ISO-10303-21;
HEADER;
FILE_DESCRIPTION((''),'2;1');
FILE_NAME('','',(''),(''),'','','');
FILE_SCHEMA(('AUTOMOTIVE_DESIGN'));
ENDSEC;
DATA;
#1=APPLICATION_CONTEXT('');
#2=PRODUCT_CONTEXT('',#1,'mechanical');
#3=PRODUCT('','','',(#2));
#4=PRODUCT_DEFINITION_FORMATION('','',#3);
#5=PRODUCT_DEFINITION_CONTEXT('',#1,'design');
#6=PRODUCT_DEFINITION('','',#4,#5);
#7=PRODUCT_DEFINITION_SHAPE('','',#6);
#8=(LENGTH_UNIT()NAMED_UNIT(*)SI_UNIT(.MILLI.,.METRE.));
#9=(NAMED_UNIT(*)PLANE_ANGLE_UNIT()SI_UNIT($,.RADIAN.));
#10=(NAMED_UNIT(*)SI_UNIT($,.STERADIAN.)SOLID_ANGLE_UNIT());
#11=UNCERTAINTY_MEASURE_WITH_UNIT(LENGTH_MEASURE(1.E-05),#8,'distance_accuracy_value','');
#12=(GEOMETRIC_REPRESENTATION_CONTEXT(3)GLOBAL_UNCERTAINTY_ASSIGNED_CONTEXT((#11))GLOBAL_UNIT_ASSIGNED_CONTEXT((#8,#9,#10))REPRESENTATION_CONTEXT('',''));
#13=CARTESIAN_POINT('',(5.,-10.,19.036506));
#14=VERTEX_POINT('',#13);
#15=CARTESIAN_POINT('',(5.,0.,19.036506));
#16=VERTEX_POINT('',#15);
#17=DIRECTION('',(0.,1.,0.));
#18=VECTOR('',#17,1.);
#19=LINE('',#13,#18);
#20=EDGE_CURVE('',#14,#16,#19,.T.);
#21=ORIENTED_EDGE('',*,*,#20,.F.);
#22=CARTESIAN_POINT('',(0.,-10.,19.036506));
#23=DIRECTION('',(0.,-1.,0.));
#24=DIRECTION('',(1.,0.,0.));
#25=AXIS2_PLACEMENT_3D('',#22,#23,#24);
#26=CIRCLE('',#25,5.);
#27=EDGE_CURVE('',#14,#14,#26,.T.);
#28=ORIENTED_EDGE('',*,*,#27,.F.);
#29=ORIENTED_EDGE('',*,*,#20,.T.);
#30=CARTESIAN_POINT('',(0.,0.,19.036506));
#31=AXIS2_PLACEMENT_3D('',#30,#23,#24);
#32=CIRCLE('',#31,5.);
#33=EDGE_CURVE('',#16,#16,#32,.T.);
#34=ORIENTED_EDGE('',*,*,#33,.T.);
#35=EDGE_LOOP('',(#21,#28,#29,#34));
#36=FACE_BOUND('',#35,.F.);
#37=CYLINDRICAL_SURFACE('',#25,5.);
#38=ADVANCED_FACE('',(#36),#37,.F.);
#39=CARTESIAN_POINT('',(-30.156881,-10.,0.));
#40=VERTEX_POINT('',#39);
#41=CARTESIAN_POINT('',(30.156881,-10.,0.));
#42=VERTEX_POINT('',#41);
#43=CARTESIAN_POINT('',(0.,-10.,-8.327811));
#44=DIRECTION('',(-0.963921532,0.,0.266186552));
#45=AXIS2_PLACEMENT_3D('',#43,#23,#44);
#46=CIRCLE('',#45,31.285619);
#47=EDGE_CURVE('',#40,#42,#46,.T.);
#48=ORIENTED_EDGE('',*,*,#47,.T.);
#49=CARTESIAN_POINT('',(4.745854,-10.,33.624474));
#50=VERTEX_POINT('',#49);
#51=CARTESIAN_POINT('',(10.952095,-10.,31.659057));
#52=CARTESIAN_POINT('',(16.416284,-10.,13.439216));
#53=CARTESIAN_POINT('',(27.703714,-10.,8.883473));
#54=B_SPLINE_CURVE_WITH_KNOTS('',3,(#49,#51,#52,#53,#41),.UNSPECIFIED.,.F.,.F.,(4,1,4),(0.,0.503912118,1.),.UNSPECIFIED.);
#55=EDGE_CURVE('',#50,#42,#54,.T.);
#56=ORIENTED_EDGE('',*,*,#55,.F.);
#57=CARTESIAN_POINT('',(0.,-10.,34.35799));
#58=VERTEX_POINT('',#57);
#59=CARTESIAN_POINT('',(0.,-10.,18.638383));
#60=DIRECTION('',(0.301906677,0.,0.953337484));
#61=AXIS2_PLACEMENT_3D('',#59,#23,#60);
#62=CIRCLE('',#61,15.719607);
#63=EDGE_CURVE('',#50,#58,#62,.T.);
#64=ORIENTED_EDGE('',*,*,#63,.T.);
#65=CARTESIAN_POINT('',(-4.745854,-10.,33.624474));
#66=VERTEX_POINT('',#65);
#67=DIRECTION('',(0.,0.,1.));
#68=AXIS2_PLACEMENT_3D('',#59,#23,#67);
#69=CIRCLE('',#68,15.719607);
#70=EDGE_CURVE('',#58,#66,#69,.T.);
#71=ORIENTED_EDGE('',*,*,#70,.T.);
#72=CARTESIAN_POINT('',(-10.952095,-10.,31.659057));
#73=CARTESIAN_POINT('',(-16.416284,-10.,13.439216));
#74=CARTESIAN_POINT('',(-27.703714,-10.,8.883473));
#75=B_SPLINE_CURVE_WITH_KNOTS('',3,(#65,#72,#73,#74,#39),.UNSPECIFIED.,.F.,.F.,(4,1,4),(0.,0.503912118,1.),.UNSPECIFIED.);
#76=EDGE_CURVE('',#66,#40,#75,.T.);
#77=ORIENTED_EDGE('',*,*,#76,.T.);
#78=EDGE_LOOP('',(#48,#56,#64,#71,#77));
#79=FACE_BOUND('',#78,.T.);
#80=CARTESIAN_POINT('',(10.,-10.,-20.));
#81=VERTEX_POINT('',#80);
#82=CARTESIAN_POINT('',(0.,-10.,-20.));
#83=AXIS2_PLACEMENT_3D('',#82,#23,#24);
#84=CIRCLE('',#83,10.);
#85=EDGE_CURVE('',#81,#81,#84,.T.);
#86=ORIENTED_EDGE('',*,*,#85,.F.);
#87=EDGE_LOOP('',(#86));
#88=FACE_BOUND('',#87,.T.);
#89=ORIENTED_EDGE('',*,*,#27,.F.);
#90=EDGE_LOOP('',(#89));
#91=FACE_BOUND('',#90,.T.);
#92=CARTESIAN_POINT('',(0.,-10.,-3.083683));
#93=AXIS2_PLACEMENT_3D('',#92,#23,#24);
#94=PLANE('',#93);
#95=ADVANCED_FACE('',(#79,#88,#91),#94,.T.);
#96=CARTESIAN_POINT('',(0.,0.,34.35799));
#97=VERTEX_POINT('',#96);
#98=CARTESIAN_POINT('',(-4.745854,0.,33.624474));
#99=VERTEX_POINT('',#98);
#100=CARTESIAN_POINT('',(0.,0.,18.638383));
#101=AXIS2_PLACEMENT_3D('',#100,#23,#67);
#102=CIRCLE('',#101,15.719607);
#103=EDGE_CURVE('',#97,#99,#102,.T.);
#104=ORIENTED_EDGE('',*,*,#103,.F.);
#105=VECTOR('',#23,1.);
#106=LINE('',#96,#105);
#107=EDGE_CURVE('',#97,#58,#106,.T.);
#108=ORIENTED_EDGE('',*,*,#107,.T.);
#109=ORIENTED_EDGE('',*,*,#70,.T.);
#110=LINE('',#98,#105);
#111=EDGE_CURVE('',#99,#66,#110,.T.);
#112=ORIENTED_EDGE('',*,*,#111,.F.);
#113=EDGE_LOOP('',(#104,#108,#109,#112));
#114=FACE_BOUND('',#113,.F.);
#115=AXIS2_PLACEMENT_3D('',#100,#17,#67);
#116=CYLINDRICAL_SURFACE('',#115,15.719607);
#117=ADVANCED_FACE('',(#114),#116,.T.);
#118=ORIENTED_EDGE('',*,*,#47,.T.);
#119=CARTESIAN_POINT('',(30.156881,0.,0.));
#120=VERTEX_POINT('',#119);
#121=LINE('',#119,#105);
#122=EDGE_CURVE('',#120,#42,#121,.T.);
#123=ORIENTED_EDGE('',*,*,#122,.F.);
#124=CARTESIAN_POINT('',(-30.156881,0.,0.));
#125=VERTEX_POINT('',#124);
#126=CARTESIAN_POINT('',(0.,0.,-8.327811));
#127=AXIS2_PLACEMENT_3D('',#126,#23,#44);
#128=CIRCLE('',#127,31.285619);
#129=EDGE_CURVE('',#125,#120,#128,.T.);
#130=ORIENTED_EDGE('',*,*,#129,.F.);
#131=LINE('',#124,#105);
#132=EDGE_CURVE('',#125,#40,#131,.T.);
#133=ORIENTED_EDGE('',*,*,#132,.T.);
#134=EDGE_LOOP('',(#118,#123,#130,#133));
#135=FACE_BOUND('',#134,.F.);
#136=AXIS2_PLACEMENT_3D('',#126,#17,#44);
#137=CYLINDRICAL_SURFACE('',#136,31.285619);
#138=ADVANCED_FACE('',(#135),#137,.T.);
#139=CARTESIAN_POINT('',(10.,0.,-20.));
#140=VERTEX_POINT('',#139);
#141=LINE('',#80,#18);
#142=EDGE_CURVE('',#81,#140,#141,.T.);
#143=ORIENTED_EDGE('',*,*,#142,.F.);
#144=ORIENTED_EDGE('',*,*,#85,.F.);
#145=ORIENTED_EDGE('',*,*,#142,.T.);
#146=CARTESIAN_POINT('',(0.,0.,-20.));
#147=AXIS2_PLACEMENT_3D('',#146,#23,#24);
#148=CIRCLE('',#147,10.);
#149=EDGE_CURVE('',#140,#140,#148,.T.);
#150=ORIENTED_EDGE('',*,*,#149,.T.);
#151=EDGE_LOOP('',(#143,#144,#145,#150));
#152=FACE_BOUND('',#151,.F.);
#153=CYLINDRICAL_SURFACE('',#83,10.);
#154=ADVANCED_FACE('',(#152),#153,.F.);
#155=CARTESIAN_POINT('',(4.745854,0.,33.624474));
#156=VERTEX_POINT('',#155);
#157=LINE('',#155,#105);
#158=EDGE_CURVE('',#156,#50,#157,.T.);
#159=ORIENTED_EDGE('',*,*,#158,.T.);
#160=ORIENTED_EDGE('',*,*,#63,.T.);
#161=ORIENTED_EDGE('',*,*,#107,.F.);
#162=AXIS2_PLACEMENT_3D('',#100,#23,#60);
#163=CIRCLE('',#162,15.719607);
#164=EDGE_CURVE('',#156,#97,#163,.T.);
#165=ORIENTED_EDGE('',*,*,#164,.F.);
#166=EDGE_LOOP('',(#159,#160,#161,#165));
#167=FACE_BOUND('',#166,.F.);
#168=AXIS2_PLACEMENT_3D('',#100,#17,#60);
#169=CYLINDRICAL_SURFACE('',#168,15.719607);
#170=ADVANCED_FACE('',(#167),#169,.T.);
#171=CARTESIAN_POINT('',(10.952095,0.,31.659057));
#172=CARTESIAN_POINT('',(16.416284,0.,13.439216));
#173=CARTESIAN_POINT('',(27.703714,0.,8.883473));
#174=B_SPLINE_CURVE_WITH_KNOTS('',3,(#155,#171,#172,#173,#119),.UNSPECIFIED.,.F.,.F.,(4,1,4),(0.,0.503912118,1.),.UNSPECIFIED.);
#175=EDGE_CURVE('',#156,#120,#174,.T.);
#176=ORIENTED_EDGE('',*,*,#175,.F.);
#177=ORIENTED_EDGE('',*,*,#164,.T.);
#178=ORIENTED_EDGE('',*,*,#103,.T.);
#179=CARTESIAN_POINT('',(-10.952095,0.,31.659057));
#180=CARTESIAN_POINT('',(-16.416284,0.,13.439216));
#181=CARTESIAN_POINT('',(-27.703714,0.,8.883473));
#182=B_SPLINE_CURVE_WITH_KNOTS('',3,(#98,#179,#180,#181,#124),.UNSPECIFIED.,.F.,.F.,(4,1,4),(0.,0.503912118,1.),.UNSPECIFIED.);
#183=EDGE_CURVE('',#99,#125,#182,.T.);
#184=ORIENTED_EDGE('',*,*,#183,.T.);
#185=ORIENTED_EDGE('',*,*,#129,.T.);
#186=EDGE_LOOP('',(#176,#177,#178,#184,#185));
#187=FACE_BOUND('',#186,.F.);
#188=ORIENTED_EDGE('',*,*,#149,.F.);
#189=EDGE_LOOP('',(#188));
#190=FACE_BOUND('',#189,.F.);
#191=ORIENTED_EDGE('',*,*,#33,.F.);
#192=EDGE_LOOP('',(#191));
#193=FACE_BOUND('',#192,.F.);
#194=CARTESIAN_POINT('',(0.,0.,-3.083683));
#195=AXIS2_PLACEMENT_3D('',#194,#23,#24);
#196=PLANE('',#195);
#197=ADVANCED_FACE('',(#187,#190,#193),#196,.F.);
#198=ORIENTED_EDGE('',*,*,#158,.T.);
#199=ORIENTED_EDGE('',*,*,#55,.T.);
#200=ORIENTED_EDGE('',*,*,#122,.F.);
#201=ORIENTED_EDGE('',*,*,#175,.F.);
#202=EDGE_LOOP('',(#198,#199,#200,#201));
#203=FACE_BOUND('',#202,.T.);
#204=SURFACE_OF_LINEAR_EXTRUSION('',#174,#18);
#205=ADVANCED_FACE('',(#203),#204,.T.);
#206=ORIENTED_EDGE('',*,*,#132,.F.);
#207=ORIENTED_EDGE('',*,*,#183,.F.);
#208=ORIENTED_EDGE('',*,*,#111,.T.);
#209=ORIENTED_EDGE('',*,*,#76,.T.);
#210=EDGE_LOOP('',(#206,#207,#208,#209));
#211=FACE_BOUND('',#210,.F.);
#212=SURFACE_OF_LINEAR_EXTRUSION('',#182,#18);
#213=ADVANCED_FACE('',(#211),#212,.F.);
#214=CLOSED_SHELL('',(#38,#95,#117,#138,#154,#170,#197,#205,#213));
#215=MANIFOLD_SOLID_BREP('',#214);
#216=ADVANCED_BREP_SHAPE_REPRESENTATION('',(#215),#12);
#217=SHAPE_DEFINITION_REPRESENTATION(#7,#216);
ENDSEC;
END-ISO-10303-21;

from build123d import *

# Parameters (mm, degrees)
F1_DEPTH = 10
F2_R     = 10
F3_DEPTH = 25
F4_R     = 5
F5_DEPTH = 25


with BuildPart() as f1:
    # F0 (on Front) → F1 (new body)
    with BuildSketch(Plane.XZ):
        with BuildLine():
            ThreePointArc((4.7458544305, 33.6244736514), (2.4011029044, 34.1735286962), (0, 34.3579900832))
            ThreePointArc((0, 34.3579900832), (-2.4011029044, 34.1735286962), (-4.7458544305, 33.6244736514))
            add(Edge.make_bspline(
                [(-4.7458544305, 33.6244736514), (-10.9520952223, 31.6590568221), (-16.416283898, 13.4392161658), (-27.7037138128, 8.8834728939), (-30.1568813613, 0)],
                knots=[0, 0, 0, 0, 0.5039121185, 1, 1, 1, 1], degree=3))
            ThreePointArc((-30.1568813613, 0), (-24.893077801, -27.2783942003), (0, -39.6134294928))
            ThreePointArc((0, -39.6134294928), (24.893077801, -27.2783942003), (30.1568813613, 0))
            add(Edge.make_bspline(
                [(4.7458544305, 33.6244736514), (10.9520952223, 31.6590568221), (16.416283898, 13.4392161658), (27.7037138128, 8.8834728939), (30.1568813613, 0)],
                knots=[0, 0, 0, 0, 0.5039121185, 1, 1, 1, 1], degree=3))
        make_face()
    extrude(amount=F1_DEPTH)

    # F2 (on face) → F3 (cut)
    with BuildSketch(Plane.XZ.offset(10)):
        with Locations((0, -20)):
            Circle(F2_R)
    extrude(amount=-F3_DEPTH, mode=Mode.SUBTRACT)

    # F4 (on face) → F5 (cut)
    with BuildSketch(Plane.XZ.offset(10)):
        with Locations((0, 19.0365062821)):
            Circle(F4_R)
    extrude(amount=-F5_DEPTH, mode=Mode.SUBTRACT)


solid = f1.part
